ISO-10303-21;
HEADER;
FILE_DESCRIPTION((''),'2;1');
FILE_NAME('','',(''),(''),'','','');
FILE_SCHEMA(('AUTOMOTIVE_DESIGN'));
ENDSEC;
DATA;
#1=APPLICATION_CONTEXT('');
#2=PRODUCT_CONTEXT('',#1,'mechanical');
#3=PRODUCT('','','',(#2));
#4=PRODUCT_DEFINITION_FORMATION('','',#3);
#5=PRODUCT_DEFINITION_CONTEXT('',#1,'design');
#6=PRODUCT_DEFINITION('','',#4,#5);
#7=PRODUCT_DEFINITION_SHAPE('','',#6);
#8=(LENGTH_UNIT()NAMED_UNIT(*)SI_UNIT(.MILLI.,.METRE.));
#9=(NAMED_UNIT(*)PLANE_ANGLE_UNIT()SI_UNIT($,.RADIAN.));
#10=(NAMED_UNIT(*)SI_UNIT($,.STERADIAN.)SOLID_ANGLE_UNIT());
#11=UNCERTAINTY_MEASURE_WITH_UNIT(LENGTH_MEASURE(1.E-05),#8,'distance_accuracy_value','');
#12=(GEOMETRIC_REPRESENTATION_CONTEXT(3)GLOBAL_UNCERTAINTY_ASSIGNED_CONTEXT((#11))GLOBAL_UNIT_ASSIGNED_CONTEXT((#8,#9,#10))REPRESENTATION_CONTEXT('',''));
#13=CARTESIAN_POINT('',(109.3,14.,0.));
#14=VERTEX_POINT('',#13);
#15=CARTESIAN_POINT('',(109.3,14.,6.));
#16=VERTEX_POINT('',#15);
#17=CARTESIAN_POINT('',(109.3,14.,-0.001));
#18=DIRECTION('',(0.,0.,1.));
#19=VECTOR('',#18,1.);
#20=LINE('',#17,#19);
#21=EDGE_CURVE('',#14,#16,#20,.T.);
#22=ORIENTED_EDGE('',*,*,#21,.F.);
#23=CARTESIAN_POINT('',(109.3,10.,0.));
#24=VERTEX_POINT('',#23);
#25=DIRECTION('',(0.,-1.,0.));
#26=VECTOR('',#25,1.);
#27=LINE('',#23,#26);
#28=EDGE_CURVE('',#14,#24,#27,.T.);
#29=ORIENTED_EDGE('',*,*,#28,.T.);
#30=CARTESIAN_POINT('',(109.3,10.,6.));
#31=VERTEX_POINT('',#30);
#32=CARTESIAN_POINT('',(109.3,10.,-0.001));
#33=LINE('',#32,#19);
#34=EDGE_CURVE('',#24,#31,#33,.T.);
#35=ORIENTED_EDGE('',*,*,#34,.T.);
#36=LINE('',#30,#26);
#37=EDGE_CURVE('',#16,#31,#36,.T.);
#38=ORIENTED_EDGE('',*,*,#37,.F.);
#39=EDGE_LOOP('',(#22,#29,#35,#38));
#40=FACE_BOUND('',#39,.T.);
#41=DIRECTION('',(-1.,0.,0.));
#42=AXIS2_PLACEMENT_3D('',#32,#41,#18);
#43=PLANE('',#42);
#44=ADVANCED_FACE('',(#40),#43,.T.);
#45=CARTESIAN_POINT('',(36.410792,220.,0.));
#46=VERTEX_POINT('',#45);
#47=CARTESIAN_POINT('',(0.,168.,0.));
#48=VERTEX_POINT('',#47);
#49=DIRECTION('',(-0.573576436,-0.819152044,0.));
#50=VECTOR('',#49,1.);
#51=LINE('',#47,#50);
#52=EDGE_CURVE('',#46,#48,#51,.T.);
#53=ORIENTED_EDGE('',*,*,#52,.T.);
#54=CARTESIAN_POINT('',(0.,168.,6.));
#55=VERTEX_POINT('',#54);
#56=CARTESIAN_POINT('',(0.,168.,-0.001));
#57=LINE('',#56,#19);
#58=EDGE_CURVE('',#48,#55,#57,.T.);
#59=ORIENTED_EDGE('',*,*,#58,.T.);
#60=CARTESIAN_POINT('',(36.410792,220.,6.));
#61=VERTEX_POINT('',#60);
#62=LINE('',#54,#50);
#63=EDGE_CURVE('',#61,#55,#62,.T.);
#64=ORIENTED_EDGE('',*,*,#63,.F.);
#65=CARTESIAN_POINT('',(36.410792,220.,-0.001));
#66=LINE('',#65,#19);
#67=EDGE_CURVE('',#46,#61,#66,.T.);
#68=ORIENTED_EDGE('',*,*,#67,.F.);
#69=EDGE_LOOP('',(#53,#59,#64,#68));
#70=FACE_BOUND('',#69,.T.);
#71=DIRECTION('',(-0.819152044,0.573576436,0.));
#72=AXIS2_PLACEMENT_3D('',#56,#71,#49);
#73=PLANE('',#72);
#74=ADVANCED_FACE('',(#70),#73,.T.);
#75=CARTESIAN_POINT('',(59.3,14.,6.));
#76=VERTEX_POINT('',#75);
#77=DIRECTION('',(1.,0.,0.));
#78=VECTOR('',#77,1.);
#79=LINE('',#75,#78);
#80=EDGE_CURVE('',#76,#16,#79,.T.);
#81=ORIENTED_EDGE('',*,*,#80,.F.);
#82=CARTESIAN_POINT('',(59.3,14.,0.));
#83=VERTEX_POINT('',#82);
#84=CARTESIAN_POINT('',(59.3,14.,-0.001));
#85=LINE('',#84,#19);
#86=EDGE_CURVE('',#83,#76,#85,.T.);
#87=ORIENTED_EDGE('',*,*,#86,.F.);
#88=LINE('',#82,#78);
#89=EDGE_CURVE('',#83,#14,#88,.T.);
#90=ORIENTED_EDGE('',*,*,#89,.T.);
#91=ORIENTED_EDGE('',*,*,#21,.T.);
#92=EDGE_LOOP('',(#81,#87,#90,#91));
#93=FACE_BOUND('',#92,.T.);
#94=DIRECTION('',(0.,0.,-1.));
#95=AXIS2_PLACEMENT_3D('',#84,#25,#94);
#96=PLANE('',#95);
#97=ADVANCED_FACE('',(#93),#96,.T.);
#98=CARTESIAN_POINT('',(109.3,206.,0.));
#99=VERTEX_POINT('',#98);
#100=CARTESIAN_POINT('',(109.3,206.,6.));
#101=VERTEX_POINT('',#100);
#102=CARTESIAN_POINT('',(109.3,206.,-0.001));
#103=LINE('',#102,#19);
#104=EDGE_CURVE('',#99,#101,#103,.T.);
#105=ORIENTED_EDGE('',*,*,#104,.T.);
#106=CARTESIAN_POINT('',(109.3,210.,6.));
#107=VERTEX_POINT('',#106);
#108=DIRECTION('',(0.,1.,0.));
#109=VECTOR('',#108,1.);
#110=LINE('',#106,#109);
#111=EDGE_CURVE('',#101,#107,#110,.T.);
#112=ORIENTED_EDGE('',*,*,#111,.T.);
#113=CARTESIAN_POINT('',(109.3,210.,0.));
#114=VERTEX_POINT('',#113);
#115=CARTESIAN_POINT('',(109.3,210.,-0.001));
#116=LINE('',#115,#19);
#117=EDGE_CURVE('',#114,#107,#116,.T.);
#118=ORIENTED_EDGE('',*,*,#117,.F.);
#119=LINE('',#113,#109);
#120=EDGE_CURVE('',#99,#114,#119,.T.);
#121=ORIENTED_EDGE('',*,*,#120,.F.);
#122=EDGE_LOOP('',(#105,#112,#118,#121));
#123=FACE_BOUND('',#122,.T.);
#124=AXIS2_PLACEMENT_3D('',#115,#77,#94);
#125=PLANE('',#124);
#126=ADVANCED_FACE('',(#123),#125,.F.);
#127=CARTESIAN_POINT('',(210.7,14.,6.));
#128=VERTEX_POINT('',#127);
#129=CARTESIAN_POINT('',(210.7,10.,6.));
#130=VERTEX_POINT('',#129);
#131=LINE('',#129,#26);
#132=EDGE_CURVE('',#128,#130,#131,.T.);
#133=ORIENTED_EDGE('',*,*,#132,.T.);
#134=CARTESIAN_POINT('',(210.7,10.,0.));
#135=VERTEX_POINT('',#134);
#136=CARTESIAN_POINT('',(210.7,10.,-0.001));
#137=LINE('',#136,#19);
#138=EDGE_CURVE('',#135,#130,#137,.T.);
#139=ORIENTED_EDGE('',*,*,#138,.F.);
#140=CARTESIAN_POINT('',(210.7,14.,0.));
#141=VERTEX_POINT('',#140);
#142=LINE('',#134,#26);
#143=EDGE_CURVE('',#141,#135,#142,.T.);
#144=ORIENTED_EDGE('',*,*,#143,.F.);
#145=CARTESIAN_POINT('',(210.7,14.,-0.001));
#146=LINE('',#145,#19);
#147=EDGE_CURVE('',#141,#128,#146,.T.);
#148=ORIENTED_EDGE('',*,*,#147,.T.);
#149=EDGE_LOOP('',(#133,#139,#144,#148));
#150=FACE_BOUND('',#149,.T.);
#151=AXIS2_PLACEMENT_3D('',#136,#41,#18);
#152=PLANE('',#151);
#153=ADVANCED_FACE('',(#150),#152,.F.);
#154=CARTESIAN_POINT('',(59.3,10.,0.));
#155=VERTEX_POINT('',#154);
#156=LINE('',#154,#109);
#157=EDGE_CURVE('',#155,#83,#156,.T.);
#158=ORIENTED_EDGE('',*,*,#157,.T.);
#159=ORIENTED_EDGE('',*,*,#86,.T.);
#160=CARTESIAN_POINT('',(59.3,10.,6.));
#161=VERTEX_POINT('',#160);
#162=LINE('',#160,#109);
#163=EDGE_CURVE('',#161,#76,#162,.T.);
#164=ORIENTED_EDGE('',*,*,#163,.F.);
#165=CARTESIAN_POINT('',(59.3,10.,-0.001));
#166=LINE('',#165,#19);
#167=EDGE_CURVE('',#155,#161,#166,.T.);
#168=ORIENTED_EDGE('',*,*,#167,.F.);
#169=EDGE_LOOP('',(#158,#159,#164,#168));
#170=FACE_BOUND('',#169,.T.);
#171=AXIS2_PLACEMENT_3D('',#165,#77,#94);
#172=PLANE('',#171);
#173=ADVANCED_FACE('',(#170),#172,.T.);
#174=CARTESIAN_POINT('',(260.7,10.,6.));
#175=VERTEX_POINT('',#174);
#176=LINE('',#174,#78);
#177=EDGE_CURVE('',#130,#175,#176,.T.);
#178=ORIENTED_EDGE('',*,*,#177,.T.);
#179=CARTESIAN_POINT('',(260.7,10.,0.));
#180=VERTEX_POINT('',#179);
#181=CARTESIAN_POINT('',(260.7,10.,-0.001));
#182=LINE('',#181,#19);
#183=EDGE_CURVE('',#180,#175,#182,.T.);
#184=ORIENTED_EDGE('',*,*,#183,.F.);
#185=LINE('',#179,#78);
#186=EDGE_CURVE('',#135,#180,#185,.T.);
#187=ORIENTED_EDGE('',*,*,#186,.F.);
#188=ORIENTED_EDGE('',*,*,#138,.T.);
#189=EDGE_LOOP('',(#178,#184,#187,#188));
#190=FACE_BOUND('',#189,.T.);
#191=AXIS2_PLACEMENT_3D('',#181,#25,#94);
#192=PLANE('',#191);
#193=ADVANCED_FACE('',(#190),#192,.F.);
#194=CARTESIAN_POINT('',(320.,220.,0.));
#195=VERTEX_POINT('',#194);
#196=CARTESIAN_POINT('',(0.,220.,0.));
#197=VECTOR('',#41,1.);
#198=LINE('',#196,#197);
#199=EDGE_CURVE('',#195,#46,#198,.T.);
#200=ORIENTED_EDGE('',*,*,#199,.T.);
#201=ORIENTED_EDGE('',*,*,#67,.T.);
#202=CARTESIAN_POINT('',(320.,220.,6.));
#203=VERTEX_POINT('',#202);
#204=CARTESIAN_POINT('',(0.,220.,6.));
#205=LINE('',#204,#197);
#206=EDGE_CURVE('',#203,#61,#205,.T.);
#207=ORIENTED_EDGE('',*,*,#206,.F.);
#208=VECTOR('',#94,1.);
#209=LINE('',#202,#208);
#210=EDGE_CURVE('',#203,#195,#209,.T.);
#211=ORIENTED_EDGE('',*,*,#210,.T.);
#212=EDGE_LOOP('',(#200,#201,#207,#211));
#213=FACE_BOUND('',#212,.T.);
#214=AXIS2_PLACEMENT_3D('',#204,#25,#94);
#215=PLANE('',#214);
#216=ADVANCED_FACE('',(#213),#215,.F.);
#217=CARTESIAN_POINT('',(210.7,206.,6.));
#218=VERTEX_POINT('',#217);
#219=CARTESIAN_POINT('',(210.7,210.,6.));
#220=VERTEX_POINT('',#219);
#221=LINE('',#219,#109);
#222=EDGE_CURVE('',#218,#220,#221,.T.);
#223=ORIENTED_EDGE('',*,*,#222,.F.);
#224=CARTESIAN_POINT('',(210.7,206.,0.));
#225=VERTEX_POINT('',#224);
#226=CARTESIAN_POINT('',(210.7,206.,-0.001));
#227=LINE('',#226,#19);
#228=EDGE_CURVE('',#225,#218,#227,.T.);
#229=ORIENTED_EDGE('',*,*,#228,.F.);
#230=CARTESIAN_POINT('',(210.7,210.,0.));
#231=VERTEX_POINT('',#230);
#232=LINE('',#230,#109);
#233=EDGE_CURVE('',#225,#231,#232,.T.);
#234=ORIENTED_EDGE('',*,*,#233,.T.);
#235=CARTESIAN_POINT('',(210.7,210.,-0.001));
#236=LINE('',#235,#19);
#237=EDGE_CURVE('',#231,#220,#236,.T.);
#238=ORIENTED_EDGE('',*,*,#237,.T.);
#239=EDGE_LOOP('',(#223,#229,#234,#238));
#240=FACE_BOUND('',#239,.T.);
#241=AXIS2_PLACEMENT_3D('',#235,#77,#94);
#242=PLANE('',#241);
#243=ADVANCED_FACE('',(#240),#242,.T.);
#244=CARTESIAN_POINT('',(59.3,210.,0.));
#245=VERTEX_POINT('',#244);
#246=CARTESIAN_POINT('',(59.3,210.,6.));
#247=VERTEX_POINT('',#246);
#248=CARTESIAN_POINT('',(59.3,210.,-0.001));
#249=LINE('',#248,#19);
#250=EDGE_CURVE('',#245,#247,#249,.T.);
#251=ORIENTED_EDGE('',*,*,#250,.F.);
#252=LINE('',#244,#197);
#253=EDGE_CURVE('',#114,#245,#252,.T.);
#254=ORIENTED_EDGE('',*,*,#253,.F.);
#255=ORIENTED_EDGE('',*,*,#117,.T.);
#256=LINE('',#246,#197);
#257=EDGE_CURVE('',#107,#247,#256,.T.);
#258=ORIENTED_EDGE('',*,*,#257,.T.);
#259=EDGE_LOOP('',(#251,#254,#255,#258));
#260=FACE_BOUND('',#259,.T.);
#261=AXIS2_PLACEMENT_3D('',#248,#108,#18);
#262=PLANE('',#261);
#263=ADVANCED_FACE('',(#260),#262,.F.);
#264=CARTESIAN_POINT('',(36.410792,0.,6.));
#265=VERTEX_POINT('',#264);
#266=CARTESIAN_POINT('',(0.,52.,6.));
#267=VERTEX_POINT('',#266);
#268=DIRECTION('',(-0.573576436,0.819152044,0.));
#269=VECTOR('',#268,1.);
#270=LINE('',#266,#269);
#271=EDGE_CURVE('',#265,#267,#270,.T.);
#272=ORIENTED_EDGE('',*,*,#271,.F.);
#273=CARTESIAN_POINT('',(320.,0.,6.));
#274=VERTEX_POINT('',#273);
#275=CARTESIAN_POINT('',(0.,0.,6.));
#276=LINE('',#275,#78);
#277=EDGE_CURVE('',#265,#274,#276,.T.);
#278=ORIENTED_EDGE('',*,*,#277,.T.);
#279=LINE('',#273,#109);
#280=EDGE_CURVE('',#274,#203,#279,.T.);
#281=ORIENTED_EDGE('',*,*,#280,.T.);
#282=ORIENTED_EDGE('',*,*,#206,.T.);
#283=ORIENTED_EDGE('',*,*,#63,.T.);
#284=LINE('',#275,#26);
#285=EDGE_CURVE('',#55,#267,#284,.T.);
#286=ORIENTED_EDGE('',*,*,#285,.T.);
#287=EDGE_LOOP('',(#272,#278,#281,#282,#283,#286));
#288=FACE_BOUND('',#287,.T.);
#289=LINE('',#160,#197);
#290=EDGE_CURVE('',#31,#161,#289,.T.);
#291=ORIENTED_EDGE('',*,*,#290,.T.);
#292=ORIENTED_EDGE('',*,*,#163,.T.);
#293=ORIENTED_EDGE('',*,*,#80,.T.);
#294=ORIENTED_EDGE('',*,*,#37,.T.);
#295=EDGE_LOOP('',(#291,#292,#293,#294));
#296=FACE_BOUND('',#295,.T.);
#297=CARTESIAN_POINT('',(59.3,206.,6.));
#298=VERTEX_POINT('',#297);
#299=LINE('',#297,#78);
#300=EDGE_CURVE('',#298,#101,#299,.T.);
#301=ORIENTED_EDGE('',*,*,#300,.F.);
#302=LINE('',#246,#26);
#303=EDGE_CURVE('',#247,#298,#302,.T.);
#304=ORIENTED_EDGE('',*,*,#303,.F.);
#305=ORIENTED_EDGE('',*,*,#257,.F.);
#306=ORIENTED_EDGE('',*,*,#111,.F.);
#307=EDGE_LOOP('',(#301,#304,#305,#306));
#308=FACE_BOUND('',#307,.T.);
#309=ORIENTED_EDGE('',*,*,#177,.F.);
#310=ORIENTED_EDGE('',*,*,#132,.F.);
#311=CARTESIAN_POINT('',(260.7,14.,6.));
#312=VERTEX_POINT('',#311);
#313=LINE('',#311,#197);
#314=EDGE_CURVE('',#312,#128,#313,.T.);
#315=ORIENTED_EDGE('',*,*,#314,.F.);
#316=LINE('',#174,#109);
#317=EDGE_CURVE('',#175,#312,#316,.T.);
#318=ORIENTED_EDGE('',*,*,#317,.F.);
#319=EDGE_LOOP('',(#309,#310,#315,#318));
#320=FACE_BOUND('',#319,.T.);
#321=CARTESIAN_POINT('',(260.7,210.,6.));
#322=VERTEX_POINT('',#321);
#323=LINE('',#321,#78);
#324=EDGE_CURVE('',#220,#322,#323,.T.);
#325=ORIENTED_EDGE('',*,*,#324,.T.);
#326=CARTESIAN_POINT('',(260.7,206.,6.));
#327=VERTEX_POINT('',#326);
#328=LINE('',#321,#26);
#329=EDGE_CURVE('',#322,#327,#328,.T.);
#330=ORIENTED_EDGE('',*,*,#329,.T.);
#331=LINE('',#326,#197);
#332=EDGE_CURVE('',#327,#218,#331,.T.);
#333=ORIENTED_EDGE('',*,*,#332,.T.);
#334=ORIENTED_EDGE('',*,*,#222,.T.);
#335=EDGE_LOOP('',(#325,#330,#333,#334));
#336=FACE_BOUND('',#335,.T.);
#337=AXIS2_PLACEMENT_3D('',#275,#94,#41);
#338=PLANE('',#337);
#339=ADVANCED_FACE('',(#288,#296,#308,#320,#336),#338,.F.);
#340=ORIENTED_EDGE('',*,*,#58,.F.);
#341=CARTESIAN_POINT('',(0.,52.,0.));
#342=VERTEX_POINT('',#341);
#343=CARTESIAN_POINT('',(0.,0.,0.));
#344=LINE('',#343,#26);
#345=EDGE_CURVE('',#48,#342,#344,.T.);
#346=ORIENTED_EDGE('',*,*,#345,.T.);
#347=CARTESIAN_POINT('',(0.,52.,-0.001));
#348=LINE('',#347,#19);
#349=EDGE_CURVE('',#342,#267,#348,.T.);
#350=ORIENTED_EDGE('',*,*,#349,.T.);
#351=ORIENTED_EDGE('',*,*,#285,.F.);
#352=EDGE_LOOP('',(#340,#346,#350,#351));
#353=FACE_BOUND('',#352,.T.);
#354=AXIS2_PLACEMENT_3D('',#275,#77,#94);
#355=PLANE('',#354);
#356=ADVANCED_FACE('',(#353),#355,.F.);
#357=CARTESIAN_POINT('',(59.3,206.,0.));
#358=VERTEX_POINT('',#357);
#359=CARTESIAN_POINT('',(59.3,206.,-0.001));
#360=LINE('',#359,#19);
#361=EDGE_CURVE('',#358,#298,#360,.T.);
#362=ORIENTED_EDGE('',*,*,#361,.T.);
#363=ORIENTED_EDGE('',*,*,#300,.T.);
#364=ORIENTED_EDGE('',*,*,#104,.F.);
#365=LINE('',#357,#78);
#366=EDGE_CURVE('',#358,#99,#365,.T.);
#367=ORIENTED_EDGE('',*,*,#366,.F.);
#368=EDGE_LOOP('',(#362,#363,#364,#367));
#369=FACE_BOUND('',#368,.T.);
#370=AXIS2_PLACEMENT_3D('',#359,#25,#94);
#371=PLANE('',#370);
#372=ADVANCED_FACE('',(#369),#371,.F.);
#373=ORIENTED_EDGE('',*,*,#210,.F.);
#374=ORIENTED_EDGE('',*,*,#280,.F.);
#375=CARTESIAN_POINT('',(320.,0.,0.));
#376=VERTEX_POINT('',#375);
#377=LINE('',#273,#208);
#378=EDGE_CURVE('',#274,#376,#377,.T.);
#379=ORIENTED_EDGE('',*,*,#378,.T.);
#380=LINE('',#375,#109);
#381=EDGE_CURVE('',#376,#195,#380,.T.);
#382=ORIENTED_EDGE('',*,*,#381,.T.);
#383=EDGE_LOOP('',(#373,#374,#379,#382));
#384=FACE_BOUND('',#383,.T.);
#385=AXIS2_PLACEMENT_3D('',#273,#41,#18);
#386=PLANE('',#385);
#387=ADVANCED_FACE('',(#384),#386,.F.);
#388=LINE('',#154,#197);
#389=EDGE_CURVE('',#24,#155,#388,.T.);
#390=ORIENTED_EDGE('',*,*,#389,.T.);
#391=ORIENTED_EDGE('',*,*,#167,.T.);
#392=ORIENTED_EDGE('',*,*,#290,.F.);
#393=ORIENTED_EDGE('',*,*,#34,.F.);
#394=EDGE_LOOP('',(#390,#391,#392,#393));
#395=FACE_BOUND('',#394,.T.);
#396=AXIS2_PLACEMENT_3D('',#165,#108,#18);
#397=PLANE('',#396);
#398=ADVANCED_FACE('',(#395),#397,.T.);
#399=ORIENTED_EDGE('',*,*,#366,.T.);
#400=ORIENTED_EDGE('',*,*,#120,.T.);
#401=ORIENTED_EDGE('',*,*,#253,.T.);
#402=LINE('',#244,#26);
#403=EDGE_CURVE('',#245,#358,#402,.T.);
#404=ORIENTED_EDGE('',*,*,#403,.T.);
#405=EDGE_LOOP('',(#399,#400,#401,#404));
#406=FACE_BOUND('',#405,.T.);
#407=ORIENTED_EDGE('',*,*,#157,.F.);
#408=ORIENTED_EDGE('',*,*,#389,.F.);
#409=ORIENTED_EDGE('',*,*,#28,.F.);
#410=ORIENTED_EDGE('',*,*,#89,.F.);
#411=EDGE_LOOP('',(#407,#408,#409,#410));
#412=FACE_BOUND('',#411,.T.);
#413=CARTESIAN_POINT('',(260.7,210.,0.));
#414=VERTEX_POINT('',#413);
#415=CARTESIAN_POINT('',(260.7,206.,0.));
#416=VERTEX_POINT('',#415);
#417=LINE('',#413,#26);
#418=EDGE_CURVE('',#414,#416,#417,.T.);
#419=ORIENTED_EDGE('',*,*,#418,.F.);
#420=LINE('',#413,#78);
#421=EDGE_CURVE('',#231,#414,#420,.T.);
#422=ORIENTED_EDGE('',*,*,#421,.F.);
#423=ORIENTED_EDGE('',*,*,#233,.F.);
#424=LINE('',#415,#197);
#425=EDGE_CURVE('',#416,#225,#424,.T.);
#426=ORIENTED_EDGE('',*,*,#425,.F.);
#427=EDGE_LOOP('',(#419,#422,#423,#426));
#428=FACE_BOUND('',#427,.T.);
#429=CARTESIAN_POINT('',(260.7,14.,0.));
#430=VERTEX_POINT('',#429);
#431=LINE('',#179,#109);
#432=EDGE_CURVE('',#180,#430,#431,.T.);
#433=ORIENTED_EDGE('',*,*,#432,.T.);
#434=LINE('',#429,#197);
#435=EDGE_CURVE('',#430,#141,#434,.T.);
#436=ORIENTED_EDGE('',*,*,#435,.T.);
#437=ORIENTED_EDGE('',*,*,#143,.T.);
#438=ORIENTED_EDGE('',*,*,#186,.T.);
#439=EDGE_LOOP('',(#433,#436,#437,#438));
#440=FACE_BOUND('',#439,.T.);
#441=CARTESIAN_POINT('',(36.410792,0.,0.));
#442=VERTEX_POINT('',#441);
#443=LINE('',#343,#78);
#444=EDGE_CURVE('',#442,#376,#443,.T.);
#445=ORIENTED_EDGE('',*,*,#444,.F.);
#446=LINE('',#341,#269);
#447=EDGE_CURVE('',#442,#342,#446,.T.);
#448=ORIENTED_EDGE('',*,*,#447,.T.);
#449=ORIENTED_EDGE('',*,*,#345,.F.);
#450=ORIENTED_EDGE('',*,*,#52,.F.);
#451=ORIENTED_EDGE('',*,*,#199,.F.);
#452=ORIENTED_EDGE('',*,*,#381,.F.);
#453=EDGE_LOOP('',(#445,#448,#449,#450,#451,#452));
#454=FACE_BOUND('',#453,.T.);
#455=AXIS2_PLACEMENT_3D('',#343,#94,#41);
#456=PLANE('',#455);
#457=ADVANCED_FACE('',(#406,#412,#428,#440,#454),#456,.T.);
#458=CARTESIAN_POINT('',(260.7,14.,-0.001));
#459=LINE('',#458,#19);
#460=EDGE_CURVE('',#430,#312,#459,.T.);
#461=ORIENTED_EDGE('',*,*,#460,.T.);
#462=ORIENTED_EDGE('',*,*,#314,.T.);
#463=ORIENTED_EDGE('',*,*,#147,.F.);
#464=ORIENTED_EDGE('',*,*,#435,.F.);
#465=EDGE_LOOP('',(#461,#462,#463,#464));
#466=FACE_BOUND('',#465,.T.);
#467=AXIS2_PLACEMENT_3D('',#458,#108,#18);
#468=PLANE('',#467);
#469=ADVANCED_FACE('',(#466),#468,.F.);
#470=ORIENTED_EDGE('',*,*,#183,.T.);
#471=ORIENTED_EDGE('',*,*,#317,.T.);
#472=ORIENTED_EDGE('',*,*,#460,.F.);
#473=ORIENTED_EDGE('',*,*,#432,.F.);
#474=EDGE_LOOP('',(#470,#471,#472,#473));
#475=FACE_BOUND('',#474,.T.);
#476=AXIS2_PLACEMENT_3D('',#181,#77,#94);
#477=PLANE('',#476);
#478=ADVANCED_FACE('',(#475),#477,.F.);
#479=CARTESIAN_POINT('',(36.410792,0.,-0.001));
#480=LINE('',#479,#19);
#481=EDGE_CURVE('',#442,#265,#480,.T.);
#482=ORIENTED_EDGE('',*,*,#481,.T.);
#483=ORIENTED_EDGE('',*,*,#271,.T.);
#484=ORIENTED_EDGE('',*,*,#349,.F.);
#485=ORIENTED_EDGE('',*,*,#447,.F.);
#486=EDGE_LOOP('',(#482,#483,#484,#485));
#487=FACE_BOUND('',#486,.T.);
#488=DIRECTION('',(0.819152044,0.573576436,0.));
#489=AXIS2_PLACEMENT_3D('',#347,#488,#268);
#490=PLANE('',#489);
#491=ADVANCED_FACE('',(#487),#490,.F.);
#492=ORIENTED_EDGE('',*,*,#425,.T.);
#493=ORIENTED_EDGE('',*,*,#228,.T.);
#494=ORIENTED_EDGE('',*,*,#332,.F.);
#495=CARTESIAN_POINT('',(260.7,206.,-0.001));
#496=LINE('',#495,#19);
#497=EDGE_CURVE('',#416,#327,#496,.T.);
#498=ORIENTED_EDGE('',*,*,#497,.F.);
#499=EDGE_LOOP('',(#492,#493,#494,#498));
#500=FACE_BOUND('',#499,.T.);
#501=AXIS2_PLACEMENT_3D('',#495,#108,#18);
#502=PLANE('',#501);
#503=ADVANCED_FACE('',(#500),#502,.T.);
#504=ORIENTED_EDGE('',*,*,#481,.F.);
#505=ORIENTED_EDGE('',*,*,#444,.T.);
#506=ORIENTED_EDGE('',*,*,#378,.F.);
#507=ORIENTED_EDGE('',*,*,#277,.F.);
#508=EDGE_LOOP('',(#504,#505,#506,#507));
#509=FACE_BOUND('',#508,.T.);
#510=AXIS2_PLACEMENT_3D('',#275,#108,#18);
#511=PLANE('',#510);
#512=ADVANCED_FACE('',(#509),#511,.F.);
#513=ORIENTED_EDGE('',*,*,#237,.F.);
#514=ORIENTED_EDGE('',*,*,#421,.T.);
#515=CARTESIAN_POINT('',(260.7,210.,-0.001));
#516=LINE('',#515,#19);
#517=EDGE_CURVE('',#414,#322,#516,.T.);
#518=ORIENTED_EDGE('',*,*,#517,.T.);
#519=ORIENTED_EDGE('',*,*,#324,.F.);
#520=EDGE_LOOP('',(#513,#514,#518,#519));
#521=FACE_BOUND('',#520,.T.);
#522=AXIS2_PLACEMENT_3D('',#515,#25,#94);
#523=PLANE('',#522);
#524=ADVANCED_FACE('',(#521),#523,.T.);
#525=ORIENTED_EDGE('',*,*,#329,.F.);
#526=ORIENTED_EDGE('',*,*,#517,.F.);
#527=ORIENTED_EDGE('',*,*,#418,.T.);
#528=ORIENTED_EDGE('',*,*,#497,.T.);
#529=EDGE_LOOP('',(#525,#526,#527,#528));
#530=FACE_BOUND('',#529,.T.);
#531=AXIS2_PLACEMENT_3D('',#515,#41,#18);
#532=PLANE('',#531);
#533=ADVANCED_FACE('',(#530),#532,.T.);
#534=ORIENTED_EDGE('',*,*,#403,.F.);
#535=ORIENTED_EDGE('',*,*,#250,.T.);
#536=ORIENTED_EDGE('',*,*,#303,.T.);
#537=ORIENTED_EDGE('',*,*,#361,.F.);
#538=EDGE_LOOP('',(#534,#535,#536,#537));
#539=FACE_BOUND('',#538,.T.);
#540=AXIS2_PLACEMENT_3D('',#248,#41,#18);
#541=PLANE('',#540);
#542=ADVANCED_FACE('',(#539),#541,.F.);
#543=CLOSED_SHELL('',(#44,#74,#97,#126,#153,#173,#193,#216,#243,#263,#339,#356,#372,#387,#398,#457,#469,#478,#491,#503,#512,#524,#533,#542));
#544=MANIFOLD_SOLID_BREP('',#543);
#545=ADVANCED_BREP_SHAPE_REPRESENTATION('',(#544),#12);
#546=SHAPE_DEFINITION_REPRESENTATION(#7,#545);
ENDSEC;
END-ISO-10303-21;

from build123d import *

# Parameters (mm, degrees)
SKIZZE1_W                       = 320
SKIZZE1_H                       = 220
AUFSATZ_LINEAR_AUSTRAGEN1_DEPTH = 6
SKIZZE2_W                       = 50
SKIZZE2_H                       = 4
SCHNITT_LINEAR_AUSTRAGEN1_DEPTH = 6
SPIEGELN2_COPY_1_SKETCH_W       = 50
SPIEGELN2_COPY_1_SKETCH_H       = 4
SPIEGELN2_COPY_1_DEPTH          = 6
SCHNITT_LINEAR_AUSTRAGEN2_DEPTH = 6


with BuildPart() as part:
    # Skizze1 → Aufsatz-Linear austragen1 (new body)
    with BuildSketch(Plane.XY):
        with Locations((160, 110)):
            Rectangle(SKIZZE1_W, SKIZZE1_H)
    extrude(amount=AUFSATZ_LINEAR_AUSTRAGEN1_DEPTH)

    # Skizze2 → Schnitt-Linear austragen1 (cut)
    with BuildSketch(Plane.XY.offset(6)):
        with Locations((84.3, 208)):
            Rectangle(SKIZZE2_W, SKIZZE2_H)
    schnitt_linear_austragen1 = extrude(amount=-SCHNITT_LINEAR_AUSTRAGEN1_DEPTH, mode=Mode.SUBTRACT)

    # Spiegeln1: Schnitt-Linear austragen1 across plane
    add(schnitt_linear_austragen1.mirror(Plane(origin=(160, 0, 0), x_dir=(0, 0, 1), z_dir=(1, 0, 0))), mode=Mode.SUBTRACT)

    # Spiegeln2: Schnitt-Linear austragen1 across plane
    add(schnitt_linear_austragen1.mirror(Plane.ZX.offset(110)), mode=Mode.SUBTRACT)

    # Spiegeln2 copy 1 sketch → Spiegeln2 copy 1 (cut)
    with BuildSketch(Plane(origin=(320, 220, 6), x_dir=(-1, 0, 0), z_dir=(0, 0, 1))):
        with Locations((84.3, 208)):
            Rectangle(SPIEGELN2_COPY_1_SKETCH_W, SPIEGELN2_COPY_1_SKETCH_H)
    extrude(amount=-SPIEGELN2_COPY_1_DEPTH, mode=Mode.SUBTRACT)

    # Skizze3 → Schnitt-Linear austragen2 (cut)
    with BuildSketch(Plane.XY.offset(6)):
        Polygon((0, 52), (36.410791987, 0), (0, 0), align=None)
    schnitt_linear_austragen2 = extrude(amount=-SCHNITT_LINEAR_AUSTRAGEN2_DEPTH, mode=Mode.SUBTRACT)

    # Spiegeln3: Schnitt-Linear austragen2 across plane
    add(schnitt_linear_austragen2.mirror(Plane.ZX.offset(110)), mode=Mode.SUBTRACT)


solid = part.part
